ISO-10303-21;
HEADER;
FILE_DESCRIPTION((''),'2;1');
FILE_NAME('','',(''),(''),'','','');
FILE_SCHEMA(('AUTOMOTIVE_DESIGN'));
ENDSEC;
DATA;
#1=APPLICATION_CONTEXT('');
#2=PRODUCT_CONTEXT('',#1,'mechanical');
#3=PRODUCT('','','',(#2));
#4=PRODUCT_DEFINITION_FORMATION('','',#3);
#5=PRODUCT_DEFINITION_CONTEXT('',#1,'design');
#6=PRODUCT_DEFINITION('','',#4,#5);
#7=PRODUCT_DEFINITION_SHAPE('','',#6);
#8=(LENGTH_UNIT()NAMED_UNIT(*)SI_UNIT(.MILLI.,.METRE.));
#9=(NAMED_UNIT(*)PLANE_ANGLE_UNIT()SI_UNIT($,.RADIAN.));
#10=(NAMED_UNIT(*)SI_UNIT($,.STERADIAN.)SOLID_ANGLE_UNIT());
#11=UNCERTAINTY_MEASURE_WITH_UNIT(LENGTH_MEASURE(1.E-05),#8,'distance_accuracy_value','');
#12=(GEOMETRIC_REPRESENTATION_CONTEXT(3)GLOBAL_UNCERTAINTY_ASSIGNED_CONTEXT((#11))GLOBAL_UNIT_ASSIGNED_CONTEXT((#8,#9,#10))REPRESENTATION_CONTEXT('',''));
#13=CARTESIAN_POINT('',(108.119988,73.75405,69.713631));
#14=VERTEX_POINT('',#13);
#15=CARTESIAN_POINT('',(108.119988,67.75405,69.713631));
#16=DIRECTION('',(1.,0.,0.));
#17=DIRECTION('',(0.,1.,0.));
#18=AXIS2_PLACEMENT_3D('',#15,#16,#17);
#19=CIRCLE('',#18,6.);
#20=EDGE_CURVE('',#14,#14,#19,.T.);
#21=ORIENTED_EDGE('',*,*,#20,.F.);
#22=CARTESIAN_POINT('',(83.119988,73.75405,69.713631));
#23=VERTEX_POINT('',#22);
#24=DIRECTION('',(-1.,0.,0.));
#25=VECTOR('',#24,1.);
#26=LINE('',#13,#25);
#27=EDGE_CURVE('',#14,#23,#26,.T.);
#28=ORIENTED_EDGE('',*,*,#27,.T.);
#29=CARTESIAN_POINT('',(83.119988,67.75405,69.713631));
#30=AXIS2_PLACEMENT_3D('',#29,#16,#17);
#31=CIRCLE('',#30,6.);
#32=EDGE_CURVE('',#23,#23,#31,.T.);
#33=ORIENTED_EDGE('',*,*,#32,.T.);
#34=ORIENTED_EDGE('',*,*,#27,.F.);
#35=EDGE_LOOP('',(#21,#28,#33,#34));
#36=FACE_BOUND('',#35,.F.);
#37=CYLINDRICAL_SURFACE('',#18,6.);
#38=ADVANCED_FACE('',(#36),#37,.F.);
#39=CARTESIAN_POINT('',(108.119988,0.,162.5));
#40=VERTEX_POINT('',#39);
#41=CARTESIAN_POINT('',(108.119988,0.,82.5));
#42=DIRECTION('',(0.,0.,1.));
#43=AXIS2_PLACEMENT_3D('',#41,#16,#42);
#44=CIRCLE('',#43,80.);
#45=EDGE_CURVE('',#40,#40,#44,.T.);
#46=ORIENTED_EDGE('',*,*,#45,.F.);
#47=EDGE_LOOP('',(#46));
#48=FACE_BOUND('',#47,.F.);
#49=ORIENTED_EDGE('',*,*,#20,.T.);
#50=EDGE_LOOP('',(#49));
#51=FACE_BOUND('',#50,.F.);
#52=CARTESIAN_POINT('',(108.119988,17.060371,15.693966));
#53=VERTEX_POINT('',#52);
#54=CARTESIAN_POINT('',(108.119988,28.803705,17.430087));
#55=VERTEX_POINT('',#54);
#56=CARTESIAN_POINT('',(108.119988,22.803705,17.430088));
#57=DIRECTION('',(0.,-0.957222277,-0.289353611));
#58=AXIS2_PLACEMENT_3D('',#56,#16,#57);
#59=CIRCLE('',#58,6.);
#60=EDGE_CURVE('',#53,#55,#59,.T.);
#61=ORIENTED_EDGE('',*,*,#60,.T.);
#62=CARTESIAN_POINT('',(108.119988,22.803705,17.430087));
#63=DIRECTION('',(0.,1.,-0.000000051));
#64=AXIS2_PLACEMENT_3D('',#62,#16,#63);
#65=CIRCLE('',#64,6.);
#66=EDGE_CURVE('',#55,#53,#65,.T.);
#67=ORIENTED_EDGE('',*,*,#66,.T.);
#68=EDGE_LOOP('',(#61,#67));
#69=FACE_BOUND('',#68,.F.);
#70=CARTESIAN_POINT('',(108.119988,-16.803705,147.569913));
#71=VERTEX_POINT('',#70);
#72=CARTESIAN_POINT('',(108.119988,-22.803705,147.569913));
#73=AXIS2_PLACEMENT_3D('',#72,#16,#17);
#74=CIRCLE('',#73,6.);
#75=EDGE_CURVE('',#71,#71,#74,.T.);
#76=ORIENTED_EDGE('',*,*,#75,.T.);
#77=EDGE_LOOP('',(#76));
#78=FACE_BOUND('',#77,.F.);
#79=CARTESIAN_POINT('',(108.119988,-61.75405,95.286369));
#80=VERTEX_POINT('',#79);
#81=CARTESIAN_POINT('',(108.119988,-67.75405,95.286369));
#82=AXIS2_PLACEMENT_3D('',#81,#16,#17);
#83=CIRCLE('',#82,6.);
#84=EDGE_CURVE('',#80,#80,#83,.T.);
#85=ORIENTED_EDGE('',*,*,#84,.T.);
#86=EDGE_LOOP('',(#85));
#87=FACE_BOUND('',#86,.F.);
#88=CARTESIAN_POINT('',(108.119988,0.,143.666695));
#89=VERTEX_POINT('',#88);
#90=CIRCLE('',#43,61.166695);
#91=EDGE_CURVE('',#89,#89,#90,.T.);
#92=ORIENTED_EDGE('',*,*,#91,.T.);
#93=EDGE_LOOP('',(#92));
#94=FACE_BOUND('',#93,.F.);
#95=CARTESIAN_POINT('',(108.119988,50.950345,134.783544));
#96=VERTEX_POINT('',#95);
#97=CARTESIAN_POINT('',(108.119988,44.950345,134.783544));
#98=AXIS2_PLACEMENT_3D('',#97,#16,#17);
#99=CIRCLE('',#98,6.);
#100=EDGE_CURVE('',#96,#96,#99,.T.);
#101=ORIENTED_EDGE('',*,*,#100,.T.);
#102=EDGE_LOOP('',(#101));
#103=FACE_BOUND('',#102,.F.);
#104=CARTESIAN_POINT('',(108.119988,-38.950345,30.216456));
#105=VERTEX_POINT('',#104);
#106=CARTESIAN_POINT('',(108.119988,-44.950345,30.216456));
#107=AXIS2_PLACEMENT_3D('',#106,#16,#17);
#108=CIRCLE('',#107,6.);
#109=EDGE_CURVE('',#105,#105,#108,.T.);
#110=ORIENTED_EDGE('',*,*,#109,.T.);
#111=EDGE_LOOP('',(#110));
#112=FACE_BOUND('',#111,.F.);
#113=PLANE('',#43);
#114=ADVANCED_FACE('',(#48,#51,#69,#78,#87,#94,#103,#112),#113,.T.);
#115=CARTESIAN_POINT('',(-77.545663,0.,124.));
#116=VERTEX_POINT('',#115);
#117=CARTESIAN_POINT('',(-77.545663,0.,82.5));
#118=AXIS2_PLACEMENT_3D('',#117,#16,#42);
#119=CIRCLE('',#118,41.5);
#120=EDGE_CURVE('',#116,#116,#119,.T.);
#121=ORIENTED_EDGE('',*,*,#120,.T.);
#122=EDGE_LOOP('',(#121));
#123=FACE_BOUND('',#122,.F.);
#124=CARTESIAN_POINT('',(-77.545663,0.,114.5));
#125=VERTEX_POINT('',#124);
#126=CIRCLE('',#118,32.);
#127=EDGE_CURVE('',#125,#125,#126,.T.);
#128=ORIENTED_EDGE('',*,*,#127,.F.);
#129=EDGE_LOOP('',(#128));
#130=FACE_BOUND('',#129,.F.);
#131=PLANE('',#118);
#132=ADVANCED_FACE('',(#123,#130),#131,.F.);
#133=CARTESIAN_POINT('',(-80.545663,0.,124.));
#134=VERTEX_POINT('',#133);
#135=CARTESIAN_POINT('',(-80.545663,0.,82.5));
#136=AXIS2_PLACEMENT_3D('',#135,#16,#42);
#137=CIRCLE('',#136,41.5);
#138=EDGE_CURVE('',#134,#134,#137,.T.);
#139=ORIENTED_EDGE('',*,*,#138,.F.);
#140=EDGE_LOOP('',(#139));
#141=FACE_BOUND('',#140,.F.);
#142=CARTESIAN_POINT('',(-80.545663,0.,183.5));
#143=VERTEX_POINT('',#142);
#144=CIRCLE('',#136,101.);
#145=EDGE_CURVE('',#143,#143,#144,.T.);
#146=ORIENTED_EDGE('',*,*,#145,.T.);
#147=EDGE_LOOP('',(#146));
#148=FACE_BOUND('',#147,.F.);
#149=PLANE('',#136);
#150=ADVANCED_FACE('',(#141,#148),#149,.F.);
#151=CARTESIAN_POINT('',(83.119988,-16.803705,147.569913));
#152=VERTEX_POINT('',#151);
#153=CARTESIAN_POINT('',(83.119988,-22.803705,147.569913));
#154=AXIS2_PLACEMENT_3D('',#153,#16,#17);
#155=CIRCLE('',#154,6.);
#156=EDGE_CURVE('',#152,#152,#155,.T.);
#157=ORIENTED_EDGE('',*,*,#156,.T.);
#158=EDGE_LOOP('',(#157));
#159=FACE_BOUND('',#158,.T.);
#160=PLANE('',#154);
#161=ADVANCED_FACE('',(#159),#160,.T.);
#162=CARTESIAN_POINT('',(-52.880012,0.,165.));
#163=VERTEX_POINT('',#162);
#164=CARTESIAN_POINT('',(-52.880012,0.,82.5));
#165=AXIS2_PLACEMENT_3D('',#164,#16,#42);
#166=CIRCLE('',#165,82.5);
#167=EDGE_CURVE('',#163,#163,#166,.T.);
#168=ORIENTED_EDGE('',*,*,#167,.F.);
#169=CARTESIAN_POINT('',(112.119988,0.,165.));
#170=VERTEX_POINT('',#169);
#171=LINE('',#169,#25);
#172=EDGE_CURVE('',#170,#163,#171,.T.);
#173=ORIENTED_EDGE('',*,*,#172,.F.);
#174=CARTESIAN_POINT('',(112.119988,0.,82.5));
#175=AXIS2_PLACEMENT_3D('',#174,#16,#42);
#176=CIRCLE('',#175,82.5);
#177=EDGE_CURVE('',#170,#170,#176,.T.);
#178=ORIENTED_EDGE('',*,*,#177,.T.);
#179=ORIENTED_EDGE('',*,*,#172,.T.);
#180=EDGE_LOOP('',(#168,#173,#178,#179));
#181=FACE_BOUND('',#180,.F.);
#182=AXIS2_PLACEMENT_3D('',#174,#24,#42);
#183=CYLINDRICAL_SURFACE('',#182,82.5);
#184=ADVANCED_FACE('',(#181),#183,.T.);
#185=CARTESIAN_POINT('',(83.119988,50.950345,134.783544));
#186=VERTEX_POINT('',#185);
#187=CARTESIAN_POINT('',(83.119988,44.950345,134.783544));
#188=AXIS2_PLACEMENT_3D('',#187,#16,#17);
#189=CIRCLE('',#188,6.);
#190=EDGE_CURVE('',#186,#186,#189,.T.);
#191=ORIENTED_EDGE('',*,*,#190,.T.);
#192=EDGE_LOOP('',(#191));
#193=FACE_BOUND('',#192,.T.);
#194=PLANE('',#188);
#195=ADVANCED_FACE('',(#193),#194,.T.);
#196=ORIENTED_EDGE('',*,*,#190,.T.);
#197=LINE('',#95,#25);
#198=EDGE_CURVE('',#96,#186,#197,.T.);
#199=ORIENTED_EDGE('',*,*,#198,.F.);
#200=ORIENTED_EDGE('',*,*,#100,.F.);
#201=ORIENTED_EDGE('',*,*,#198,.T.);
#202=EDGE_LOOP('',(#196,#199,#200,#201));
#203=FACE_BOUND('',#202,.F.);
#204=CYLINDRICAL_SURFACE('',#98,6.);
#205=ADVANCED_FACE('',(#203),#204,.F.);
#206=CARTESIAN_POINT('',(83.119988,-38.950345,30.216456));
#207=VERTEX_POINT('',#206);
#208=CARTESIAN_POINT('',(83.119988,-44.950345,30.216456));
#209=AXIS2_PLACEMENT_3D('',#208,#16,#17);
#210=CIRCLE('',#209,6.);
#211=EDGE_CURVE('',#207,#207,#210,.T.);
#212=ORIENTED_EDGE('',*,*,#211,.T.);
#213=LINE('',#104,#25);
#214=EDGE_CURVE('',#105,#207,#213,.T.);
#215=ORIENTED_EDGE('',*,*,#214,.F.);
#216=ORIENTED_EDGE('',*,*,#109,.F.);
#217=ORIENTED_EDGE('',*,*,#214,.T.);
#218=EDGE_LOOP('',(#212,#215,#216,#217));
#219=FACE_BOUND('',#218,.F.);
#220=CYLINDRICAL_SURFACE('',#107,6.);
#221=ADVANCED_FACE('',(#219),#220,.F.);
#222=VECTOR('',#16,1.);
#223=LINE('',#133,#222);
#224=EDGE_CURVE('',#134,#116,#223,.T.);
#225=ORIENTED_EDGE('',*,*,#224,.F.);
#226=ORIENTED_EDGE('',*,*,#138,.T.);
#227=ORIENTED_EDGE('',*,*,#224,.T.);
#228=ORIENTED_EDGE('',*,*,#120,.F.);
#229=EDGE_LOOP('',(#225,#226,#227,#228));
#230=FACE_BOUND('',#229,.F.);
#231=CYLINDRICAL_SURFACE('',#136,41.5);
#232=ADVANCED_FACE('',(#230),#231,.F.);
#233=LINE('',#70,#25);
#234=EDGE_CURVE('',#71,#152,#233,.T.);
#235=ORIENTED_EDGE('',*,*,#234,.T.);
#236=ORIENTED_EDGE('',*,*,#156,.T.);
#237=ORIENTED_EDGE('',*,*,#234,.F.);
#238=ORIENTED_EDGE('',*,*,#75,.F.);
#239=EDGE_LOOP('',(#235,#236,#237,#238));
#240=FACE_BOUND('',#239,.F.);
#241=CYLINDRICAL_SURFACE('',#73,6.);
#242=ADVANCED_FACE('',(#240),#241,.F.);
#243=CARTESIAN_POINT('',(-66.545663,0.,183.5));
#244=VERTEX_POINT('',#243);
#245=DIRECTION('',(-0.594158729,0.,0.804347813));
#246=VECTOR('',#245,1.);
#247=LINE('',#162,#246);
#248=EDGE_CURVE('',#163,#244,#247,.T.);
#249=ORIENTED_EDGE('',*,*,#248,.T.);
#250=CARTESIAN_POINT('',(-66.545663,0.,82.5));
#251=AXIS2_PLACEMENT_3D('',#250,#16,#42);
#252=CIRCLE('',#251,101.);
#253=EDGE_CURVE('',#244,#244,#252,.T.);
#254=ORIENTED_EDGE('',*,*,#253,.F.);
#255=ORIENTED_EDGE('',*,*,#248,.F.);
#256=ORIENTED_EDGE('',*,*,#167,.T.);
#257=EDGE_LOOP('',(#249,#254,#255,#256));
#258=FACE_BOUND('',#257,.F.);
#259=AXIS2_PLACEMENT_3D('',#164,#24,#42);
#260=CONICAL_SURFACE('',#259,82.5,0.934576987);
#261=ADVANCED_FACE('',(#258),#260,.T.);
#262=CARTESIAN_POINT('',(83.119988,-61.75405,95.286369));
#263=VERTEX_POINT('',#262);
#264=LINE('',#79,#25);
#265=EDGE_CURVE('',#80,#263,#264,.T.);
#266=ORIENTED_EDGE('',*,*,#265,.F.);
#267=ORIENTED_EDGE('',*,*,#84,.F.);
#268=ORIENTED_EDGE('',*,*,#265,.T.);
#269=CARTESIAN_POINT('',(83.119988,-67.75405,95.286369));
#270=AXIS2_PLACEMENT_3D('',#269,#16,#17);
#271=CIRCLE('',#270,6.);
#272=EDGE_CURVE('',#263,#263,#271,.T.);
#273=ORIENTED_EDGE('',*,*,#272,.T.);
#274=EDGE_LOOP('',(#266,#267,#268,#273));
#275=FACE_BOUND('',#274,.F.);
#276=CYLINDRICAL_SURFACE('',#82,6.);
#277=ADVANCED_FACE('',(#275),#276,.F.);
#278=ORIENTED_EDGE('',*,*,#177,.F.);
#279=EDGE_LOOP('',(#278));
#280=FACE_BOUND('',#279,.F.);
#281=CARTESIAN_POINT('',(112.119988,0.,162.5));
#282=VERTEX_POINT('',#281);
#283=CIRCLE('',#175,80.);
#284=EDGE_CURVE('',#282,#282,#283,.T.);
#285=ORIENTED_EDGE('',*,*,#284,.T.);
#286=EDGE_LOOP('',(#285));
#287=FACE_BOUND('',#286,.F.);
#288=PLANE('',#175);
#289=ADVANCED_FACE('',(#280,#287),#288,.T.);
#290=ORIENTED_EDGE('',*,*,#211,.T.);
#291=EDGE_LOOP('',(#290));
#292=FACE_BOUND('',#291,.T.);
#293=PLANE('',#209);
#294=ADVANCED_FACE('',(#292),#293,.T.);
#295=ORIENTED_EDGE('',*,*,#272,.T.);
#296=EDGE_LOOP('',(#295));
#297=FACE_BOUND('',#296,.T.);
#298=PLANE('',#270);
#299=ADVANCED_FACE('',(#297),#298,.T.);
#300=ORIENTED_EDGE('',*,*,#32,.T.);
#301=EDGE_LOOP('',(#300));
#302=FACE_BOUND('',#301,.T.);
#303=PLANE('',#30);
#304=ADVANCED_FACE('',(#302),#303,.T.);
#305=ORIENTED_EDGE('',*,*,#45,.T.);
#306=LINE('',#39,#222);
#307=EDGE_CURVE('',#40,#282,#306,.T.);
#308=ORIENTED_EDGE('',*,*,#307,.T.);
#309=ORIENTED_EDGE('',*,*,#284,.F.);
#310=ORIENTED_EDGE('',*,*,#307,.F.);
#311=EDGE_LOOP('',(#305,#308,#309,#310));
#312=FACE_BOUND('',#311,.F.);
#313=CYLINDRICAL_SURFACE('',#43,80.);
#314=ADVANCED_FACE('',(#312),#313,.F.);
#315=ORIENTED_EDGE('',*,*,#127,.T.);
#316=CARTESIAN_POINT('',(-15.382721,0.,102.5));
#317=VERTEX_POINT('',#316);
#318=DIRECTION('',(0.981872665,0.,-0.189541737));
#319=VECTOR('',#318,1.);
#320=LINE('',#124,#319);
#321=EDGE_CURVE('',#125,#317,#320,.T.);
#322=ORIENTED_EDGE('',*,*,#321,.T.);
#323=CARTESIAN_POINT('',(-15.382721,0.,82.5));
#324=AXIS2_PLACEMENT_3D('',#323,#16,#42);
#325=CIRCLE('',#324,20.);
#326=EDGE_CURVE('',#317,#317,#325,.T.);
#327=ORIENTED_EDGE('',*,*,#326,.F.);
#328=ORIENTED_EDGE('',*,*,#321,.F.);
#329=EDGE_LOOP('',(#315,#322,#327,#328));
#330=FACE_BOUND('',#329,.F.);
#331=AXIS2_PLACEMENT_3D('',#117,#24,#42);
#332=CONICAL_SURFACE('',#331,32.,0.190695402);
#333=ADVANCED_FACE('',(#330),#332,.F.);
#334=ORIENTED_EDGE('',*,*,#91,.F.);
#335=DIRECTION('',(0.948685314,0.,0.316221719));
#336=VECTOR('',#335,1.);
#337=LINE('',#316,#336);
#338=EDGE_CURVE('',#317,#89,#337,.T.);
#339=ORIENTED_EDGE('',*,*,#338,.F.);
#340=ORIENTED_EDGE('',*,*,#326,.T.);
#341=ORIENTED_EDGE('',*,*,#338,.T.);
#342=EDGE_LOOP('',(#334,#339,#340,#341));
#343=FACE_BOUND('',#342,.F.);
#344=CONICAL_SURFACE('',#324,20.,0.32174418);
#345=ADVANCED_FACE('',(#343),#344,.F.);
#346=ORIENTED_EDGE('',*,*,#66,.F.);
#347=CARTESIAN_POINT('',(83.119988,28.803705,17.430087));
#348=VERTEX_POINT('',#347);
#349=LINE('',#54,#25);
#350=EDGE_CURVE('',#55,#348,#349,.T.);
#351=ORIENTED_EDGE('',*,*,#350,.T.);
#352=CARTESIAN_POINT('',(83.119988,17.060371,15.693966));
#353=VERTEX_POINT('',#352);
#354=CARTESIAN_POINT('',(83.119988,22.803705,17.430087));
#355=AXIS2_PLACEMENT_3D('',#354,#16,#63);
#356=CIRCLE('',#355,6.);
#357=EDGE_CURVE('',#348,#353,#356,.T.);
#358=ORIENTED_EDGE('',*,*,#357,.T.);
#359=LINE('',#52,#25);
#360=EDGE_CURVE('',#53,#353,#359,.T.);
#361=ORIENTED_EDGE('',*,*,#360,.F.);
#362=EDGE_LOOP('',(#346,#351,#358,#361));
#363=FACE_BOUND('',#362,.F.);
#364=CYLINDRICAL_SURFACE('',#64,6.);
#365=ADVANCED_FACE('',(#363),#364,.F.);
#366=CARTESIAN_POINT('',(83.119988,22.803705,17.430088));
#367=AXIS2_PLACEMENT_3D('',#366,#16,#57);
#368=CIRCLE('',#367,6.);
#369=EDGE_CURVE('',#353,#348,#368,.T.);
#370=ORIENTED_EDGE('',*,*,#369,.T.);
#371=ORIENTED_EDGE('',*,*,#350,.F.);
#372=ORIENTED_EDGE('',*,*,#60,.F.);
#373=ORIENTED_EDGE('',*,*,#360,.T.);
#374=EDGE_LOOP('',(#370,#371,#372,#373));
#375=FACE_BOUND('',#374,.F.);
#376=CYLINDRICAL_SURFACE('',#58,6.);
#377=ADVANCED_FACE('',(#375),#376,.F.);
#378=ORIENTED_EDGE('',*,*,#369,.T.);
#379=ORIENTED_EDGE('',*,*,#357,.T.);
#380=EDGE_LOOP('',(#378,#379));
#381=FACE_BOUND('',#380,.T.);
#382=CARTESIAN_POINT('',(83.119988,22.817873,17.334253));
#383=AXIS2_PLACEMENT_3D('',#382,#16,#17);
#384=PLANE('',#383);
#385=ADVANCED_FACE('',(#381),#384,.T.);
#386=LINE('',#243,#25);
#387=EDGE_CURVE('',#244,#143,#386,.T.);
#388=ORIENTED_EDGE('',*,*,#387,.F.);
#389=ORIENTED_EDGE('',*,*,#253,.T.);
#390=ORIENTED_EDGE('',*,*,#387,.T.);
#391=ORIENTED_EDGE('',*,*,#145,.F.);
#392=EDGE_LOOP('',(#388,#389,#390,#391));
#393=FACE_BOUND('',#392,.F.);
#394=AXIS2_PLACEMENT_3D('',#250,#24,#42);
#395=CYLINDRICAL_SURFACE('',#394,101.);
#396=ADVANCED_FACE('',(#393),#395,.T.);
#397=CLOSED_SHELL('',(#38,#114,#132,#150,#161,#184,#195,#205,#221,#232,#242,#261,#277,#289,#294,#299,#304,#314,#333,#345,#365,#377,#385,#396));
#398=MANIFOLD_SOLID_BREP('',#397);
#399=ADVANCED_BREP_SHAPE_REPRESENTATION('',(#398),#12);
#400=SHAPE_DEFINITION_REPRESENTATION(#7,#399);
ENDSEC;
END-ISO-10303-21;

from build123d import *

# Parameters (mm, degrees)
F3_R     = 6
F4_DEPTH = 25


with BuildPart() as f1:
    # F0 (on Front) → F1 (revolve)
    with BuildSketch(Plane.XZ):
        Polygon((-80.545663, 183.5), (-80.545663, 124), (-77.545663, 124), (-77.545663, 114.5), (-15.382721, 102.5), (108.119988, 143.666695), (108.119988, 162.5), (112.119988, 162.5), (112.119988, 165), (-37.880012, 165), (-52.880012, 165), (-66.545663, 183.5), align=None)
    revolve(axis=Axis((211.105403, 0, 82.5), (1, 0, 0)))

    # F3 (on face) → F4 (cut)
    with BuildSketch(Plane.YZ.offset(108.119988)):
        with Locations((-22.803705, 147.569913)):
            Circle(F3_R)
        with Locations((-67.75405, 95.286369)):
            Circle(F3_R)
        with Locations((-44.950345, 30.216456)):
            Circle(F3_R)
        with BuildLine():
            ThreePointArc((17.060371, 15.693966), (23.681201, 11.494601), (28.803705, 17.430087))
            ThreePointArc((28.803705, 17.430087), (21.926209, 23.365574), (17.060371, 15.693966))
        make_face()
        with Locations((67.75405, 69.713631)):
            Circle(F3_R)
        with Locations((44.950345, 134.783544)):
            Circle(F3_R)
    extrude(amount=-F4_DEPTH, mode=Mode.SUBTRACT)


solid = f1.part
